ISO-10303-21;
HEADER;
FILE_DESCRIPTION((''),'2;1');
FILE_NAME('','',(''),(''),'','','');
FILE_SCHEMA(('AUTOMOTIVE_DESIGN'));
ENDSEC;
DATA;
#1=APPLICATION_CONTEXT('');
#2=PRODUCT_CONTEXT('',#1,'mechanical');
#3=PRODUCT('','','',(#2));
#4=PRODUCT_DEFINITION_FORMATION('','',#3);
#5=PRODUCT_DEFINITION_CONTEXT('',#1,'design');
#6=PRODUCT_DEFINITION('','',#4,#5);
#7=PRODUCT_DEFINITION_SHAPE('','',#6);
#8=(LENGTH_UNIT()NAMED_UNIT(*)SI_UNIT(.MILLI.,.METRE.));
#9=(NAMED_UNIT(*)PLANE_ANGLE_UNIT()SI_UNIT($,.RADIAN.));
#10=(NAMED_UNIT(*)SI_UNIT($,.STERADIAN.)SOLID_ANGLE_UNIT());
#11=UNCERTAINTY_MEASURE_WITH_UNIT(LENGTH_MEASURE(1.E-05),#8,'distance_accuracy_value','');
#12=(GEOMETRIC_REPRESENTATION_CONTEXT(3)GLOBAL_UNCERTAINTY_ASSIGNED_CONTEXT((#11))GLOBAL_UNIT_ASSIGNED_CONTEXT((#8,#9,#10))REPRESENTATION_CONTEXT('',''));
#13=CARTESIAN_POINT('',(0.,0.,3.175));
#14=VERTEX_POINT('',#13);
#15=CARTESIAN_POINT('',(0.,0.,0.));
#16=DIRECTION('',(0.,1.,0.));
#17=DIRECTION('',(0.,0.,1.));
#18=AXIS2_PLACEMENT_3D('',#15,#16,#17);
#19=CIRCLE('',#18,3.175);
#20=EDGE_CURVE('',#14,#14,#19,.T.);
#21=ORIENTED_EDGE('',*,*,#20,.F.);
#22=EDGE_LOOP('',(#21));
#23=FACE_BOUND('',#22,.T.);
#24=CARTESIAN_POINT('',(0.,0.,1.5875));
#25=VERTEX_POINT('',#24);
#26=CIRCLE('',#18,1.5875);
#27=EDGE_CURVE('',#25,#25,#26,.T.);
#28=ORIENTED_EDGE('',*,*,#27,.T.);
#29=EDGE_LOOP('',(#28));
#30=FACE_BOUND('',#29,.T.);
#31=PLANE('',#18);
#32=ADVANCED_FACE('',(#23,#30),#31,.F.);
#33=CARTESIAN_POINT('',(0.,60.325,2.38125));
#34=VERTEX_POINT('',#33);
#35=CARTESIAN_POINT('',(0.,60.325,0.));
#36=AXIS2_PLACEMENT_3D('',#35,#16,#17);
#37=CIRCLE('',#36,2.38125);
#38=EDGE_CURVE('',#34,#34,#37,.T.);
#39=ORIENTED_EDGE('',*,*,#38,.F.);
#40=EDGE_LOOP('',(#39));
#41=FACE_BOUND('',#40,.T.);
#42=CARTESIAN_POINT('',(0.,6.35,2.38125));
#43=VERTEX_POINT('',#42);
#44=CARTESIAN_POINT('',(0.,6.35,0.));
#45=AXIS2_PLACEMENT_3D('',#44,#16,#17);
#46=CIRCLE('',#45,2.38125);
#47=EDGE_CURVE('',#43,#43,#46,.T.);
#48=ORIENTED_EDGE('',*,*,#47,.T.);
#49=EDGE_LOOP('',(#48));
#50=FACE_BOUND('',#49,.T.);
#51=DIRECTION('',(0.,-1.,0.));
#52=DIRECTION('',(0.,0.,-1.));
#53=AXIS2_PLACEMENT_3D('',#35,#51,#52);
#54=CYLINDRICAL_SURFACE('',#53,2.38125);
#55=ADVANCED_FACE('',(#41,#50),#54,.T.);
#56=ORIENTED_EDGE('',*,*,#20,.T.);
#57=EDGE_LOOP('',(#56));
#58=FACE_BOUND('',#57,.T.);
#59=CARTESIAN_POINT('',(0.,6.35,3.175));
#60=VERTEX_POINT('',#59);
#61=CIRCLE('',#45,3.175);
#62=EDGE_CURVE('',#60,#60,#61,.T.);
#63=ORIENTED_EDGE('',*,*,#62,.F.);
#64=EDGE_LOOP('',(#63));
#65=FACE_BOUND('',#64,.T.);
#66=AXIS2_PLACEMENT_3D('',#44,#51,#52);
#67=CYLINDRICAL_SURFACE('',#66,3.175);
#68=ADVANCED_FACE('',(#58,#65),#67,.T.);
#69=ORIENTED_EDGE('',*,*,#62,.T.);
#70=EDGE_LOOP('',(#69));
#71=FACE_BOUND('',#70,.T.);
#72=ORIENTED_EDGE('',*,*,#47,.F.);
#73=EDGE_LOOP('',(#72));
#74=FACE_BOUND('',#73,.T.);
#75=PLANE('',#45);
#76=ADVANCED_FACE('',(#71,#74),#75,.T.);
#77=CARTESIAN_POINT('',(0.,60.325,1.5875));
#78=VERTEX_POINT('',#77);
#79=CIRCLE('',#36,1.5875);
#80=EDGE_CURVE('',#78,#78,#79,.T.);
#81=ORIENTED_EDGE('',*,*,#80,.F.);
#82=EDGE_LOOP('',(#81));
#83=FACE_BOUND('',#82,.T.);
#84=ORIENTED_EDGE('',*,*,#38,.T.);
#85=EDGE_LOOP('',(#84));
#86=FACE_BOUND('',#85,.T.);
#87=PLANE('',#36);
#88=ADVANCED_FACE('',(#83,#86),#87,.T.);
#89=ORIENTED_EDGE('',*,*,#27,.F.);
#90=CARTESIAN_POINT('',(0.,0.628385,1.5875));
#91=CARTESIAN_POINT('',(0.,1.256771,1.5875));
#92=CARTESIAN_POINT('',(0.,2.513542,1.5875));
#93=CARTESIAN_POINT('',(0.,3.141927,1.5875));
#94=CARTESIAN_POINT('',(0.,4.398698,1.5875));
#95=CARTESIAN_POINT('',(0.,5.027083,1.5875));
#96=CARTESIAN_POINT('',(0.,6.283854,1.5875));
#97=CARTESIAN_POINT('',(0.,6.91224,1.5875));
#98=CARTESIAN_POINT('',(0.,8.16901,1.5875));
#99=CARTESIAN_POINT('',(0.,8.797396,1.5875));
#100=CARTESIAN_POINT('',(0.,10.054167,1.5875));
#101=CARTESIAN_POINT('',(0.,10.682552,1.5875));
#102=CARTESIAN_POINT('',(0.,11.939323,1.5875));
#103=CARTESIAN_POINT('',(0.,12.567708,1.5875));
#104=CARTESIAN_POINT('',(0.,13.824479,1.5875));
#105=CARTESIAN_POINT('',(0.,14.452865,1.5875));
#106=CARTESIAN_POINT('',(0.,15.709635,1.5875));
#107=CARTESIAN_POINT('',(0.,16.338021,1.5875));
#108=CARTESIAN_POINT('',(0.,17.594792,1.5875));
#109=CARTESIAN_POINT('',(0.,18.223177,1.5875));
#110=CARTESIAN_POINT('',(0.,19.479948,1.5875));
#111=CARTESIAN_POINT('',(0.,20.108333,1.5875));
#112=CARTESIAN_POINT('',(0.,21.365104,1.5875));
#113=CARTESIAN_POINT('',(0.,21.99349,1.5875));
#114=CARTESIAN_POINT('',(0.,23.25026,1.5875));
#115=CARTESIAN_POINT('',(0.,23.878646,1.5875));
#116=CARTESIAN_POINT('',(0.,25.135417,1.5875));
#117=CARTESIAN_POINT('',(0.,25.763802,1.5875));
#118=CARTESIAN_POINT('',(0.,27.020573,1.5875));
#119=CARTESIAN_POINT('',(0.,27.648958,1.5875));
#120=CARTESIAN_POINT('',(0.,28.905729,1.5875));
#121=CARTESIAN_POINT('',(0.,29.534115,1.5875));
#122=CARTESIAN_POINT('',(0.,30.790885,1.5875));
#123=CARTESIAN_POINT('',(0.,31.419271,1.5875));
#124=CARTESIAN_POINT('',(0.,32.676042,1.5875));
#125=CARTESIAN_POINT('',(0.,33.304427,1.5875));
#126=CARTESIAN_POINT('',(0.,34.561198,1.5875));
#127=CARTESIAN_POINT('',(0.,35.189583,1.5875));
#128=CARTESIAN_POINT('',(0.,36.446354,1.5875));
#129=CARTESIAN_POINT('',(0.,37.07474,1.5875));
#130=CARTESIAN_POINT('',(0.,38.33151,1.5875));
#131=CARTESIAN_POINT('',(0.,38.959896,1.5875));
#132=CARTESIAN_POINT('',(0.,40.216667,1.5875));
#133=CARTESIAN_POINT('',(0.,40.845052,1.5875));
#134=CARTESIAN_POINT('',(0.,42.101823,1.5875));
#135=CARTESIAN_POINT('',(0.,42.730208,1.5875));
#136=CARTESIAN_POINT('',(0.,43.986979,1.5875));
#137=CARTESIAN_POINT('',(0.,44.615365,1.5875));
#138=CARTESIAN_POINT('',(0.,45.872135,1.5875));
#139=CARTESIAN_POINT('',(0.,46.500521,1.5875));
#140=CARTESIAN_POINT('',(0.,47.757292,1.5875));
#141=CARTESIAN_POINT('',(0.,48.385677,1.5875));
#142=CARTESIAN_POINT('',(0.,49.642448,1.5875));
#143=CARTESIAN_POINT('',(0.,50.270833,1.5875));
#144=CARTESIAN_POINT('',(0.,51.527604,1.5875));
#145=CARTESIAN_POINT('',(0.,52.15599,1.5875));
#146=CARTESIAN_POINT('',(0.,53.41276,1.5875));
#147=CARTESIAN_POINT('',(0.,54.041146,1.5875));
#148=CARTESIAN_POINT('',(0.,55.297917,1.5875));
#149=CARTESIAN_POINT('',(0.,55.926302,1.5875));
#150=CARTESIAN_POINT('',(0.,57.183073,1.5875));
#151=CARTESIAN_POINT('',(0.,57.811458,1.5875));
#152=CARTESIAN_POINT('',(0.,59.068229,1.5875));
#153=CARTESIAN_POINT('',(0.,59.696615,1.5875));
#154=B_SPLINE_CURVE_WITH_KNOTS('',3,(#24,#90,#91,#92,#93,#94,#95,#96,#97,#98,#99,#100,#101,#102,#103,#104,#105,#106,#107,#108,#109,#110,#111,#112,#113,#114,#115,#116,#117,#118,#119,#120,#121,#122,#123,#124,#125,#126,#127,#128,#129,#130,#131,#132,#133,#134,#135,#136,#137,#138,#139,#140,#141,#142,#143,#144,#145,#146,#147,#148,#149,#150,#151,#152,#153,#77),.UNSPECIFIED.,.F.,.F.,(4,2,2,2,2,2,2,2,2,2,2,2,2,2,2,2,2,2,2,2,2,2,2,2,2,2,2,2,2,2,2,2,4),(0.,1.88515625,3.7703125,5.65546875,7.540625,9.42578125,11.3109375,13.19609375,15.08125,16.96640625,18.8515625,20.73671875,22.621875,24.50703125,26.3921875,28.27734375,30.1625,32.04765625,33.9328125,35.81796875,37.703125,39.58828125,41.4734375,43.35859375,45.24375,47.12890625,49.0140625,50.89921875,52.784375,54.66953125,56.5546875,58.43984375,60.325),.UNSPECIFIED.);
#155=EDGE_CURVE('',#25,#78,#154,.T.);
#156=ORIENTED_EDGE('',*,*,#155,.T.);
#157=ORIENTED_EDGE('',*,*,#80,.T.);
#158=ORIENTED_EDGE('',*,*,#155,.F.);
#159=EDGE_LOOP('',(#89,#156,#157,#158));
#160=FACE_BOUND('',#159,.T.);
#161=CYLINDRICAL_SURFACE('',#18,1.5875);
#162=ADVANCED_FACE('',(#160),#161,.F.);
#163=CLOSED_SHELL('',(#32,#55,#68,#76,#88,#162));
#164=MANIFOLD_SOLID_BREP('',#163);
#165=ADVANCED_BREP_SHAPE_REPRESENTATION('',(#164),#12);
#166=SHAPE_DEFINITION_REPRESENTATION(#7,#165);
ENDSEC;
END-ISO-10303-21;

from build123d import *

# Parameters (mm, degrees)
SKETCH1_R           = 3.175
BOSS_EXTRUDE1_DEPTH = 6.35
SKETCH4_R           = 2.38125
BOSS_EXTRUDE3_DEPTH = 53.975
SKETCH5_R           = 1.5875
CUT_EXTRUDE1_DEPTH  = 61.491874454


with BuildPart() as part:
    # Sketch1 → Boss-Extrude1 (new body)
    with BuildSketch(Plane(origin=(0, 0, 0), x_dir=(1, 0, 0), z_dir=(0, 1, 0))):
        with Locations(Location((0, 0, 0), (0, 0, 270))):
            Circle(SKETCH1_R)
    extrude(amount=BOSS_EXTRUDE1_DEPTH)

    # Sketch4 → Boss-Extrude3 (add)
    with BuildSketch(Plane(origin=(0, 6.35, 0), x_dir=(1, 0, 0), z_dir=(0, 1, 0))):
        with Locations(Location((0, 0, 0), (0, 0, 270))):
            Circle(SKETCH4_R)
    extrude(amount=BOSS_EXTRUDE3_DEPTH)

    # Sketch5 → Cut-Extrude1 (cut, through all)
    with BuildSketch(Plane(origin=(0, 60.325, 0), x_dir=(1, 0, 0), z_dir=(0, 1, 0))):
        with Locations(Location((0, 0, 0), (0, 0, 270))):
            Circle(SKETCH5_R)
    extrude(amount=-CUT_EXTRUDE1_DEPTH, mode=Mode.SUBTRACT)


solid = part.part
